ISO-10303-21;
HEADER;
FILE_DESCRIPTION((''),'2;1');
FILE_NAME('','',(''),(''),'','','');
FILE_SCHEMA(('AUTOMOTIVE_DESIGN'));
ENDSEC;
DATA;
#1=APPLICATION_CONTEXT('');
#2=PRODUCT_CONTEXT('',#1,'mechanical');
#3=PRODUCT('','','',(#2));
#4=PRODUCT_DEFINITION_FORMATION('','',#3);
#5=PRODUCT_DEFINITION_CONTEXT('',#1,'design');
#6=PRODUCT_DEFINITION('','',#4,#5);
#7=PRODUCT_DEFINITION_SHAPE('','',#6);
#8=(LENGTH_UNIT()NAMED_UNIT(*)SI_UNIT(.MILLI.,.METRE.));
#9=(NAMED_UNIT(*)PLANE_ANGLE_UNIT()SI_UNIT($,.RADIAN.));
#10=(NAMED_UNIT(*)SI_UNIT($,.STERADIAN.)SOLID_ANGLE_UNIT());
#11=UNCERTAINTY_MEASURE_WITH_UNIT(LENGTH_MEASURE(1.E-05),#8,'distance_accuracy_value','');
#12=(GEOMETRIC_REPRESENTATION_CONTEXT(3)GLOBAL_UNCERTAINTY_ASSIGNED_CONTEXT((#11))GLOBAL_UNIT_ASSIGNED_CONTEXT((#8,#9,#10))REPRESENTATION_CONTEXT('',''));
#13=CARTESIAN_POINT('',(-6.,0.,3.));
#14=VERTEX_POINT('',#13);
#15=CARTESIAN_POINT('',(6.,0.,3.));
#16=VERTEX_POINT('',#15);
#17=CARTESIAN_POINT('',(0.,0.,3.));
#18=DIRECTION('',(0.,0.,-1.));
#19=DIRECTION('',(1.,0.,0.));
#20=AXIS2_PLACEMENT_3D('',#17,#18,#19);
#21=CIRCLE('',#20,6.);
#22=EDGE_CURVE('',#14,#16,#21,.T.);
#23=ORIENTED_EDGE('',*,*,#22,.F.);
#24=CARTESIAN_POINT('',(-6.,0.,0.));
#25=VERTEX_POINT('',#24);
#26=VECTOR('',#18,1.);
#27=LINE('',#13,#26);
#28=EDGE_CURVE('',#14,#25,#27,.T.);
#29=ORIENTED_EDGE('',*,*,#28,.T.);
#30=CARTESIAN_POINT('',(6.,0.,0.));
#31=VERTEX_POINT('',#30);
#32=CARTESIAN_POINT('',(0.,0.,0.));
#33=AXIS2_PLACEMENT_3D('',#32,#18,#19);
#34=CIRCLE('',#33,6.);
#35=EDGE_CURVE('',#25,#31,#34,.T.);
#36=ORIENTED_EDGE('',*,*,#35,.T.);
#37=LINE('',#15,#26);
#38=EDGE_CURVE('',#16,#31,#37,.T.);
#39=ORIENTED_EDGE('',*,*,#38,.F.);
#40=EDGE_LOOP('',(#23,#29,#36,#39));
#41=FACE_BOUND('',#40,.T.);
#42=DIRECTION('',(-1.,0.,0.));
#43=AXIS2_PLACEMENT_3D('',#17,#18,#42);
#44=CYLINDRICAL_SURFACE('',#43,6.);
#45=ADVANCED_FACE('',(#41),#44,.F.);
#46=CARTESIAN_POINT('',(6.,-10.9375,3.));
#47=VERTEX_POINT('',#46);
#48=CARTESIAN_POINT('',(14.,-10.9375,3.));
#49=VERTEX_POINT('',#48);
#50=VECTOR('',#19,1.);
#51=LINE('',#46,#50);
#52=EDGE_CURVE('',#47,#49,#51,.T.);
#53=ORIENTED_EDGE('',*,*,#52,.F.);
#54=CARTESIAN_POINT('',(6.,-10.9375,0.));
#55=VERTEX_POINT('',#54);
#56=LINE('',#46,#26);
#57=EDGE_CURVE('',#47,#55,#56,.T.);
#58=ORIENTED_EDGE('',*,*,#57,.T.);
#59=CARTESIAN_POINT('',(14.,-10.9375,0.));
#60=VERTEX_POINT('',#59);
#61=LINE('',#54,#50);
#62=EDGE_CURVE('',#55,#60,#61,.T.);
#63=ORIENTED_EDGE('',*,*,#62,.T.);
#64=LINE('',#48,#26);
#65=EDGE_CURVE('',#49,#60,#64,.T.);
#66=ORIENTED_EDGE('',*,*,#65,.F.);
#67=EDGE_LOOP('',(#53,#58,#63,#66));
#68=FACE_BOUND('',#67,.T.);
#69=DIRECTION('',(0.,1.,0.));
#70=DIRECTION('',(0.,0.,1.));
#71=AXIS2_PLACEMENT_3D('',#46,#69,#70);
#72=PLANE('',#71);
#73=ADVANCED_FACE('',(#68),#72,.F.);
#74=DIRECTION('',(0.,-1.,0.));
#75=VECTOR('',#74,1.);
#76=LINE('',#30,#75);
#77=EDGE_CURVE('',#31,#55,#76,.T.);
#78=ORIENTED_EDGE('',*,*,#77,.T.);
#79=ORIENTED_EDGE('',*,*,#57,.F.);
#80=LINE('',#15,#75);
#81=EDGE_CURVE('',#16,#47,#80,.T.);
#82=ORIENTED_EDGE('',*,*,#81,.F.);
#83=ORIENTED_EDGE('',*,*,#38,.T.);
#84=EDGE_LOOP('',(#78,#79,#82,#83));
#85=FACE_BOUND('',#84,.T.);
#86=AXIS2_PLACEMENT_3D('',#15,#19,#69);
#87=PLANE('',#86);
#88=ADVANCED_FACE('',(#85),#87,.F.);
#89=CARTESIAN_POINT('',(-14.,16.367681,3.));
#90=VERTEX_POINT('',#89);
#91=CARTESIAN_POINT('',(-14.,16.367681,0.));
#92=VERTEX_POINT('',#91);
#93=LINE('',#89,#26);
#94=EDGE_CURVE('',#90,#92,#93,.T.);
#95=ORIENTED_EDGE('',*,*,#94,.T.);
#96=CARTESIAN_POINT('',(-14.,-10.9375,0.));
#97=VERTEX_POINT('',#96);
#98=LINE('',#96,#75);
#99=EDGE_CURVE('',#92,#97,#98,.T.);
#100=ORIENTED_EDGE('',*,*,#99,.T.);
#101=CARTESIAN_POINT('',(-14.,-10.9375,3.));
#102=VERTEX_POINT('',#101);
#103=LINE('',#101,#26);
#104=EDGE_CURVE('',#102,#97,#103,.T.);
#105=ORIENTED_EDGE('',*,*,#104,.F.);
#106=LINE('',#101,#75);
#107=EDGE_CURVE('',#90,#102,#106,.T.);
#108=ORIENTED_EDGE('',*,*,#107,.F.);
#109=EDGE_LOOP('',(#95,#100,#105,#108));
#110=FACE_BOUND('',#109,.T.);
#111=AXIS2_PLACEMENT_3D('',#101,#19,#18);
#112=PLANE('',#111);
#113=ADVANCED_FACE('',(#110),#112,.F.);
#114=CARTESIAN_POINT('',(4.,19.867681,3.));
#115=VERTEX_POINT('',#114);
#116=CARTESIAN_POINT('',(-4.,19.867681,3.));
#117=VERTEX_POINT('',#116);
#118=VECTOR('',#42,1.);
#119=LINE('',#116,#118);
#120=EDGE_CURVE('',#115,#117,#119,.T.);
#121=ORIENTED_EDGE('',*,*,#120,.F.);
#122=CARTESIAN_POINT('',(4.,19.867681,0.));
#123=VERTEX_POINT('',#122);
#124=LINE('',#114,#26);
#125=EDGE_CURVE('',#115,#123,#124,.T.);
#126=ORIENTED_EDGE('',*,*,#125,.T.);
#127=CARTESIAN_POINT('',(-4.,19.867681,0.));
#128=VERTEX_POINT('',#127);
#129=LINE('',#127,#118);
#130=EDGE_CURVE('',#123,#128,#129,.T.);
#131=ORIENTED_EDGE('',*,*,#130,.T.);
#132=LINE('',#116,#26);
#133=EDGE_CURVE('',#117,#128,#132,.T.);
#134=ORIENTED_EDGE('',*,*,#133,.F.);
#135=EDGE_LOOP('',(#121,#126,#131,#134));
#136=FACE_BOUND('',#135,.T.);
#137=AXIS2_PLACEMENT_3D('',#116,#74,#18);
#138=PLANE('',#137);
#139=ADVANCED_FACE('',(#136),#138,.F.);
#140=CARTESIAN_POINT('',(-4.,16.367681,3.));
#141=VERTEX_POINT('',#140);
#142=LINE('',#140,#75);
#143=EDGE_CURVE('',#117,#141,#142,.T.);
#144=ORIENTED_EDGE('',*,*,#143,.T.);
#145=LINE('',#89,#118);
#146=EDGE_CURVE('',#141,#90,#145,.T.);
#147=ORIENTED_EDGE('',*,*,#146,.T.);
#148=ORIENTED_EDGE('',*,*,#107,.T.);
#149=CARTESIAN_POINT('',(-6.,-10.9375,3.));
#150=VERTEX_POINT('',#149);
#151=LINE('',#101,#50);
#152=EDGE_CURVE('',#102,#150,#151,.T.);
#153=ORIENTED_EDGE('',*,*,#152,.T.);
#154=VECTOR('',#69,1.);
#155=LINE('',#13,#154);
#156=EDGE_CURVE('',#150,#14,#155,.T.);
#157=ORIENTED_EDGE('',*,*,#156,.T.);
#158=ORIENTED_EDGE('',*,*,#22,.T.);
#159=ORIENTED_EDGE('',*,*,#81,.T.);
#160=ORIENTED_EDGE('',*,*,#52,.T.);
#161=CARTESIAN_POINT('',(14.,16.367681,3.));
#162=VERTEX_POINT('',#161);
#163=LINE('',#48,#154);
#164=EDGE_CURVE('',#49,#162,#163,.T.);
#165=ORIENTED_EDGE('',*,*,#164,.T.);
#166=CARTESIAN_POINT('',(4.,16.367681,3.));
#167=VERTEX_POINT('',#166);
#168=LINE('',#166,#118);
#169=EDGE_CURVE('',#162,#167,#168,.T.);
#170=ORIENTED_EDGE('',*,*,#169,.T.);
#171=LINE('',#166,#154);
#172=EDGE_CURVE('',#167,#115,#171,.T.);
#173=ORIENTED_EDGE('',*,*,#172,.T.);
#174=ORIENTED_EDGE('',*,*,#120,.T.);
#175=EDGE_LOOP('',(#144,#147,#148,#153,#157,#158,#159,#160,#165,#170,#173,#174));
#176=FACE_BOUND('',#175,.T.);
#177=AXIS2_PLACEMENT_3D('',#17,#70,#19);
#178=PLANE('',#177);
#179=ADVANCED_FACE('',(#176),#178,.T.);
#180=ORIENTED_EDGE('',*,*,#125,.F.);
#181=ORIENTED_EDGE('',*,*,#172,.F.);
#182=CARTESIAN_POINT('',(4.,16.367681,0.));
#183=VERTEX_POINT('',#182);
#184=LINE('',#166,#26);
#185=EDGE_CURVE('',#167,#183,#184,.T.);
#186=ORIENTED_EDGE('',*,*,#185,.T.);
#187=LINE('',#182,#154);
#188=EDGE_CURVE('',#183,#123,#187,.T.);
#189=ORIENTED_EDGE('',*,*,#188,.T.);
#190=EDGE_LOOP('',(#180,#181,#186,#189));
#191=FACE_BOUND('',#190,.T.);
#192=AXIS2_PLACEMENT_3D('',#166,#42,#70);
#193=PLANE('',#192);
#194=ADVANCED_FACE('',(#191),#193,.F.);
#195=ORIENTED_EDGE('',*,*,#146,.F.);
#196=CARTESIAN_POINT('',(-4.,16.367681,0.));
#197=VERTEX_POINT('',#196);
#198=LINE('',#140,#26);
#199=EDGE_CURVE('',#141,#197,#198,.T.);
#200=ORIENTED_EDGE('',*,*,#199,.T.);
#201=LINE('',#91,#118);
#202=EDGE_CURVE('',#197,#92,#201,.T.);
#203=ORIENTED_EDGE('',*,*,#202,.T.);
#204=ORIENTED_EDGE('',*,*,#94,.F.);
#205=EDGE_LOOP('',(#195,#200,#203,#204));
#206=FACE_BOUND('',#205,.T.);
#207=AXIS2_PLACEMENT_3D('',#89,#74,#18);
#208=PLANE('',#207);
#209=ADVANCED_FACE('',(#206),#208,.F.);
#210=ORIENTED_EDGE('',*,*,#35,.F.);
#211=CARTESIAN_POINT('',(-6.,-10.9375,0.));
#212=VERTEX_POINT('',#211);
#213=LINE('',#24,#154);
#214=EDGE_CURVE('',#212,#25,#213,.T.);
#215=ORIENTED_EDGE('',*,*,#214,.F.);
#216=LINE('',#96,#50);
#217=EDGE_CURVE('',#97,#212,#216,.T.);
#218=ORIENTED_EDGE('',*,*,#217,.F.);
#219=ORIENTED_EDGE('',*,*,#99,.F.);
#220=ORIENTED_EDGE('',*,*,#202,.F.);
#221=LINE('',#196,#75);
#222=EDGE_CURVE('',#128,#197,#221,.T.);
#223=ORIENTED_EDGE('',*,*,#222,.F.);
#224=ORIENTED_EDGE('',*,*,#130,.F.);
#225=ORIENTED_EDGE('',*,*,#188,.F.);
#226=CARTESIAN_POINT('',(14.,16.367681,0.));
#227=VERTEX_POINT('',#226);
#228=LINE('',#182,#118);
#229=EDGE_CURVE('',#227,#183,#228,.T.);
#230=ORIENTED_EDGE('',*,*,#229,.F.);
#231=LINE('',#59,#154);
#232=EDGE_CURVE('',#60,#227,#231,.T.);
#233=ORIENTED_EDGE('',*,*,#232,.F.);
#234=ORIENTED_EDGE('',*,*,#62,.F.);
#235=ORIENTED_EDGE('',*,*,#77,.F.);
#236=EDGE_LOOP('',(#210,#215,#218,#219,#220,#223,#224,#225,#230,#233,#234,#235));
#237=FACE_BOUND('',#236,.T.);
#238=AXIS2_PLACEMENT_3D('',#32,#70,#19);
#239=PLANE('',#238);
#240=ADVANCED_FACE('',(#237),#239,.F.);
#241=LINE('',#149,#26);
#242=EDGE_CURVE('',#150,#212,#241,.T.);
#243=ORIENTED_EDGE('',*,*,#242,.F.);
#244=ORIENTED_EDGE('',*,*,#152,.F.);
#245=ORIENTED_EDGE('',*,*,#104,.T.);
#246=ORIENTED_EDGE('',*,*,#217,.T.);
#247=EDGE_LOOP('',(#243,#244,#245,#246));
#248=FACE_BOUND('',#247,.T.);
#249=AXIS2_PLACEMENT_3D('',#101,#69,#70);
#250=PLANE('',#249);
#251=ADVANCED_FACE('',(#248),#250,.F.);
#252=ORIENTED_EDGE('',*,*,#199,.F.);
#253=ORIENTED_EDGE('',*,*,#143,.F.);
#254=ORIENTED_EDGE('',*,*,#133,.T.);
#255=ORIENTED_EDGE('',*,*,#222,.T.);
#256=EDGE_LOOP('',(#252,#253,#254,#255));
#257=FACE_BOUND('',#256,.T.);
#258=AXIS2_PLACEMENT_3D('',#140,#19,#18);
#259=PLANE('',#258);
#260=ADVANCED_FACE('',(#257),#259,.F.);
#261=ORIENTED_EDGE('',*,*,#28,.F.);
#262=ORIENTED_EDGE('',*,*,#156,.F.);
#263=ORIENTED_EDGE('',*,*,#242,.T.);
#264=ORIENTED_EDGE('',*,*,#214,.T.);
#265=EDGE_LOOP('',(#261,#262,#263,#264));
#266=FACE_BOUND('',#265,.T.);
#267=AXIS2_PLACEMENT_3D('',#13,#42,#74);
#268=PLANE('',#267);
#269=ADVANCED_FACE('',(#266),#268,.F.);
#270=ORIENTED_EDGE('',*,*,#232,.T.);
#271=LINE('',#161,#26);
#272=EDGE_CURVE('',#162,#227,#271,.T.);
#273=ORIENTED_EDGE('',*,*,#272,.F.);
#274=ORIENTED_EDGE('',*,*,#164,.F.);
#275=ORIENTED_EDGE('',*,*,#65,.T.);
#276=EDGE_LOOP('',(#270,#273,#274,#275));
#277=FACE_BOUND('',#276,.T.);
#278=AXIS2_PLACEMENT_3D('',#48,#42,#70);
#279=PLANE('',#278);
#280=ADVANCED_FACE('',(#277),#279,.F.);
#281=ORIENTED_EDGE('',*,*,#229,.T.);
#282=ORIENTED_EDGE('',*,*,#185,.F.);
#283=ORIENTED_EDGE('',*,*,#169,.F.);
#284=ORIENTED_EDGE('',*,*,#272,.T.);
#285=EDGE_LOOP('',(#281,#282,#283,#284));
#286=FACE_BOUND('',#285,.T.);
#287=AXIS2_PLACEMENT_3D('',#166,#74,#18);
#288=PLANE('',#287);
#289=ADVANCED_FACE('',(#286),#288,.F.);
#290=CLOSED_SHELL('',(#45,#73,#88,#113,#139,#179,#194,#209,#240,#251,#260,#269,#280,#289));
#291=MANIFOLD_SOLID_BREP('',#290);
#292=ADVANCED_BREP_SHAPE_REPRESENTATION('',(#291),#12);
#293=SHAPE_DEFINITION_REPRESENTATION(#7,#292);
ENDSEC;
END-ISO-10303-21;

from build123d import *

# Parameters (mm, degrees)
RESSALTO_EXTRUS_O1_DEPTH = 3


with BuildPart() as part:
    # Esboço9 → Ressalto-extrusão1 (new body)
    with BuildSketch(Plane.XY):
        with BuildLine():
            Line((-14, -10.9375), (-6, -10.9375))
            Line((-6, -10.9375), (-6, 0))
            ThreePointArc((-6, 0), (0, 6), (6, 0))
            Line((6, 0), (6, -10.9375))
            Line((6, -10.9375), (14, -10.9375))
            Line((14, -10.9375), (14, 16.367680587))
            Line((14, 16.367680587), (4, 16.367680587))
            Line((4, 16.367680587), (4, 19.867680587))
            Line((4, 19.867680587), (-4, 19.867680587))
            Line((-4, 19.867680587), (-4, 16.367680587))
            Line((-4, 16.367680587), (-14, 16.367680587))
            Line((-14, 16.367680587), (-14, -10.9375))
        make_face()
    extrude(amount=RESSALTO_EXTRUS_O1_DEPTH)


solid = part.part
